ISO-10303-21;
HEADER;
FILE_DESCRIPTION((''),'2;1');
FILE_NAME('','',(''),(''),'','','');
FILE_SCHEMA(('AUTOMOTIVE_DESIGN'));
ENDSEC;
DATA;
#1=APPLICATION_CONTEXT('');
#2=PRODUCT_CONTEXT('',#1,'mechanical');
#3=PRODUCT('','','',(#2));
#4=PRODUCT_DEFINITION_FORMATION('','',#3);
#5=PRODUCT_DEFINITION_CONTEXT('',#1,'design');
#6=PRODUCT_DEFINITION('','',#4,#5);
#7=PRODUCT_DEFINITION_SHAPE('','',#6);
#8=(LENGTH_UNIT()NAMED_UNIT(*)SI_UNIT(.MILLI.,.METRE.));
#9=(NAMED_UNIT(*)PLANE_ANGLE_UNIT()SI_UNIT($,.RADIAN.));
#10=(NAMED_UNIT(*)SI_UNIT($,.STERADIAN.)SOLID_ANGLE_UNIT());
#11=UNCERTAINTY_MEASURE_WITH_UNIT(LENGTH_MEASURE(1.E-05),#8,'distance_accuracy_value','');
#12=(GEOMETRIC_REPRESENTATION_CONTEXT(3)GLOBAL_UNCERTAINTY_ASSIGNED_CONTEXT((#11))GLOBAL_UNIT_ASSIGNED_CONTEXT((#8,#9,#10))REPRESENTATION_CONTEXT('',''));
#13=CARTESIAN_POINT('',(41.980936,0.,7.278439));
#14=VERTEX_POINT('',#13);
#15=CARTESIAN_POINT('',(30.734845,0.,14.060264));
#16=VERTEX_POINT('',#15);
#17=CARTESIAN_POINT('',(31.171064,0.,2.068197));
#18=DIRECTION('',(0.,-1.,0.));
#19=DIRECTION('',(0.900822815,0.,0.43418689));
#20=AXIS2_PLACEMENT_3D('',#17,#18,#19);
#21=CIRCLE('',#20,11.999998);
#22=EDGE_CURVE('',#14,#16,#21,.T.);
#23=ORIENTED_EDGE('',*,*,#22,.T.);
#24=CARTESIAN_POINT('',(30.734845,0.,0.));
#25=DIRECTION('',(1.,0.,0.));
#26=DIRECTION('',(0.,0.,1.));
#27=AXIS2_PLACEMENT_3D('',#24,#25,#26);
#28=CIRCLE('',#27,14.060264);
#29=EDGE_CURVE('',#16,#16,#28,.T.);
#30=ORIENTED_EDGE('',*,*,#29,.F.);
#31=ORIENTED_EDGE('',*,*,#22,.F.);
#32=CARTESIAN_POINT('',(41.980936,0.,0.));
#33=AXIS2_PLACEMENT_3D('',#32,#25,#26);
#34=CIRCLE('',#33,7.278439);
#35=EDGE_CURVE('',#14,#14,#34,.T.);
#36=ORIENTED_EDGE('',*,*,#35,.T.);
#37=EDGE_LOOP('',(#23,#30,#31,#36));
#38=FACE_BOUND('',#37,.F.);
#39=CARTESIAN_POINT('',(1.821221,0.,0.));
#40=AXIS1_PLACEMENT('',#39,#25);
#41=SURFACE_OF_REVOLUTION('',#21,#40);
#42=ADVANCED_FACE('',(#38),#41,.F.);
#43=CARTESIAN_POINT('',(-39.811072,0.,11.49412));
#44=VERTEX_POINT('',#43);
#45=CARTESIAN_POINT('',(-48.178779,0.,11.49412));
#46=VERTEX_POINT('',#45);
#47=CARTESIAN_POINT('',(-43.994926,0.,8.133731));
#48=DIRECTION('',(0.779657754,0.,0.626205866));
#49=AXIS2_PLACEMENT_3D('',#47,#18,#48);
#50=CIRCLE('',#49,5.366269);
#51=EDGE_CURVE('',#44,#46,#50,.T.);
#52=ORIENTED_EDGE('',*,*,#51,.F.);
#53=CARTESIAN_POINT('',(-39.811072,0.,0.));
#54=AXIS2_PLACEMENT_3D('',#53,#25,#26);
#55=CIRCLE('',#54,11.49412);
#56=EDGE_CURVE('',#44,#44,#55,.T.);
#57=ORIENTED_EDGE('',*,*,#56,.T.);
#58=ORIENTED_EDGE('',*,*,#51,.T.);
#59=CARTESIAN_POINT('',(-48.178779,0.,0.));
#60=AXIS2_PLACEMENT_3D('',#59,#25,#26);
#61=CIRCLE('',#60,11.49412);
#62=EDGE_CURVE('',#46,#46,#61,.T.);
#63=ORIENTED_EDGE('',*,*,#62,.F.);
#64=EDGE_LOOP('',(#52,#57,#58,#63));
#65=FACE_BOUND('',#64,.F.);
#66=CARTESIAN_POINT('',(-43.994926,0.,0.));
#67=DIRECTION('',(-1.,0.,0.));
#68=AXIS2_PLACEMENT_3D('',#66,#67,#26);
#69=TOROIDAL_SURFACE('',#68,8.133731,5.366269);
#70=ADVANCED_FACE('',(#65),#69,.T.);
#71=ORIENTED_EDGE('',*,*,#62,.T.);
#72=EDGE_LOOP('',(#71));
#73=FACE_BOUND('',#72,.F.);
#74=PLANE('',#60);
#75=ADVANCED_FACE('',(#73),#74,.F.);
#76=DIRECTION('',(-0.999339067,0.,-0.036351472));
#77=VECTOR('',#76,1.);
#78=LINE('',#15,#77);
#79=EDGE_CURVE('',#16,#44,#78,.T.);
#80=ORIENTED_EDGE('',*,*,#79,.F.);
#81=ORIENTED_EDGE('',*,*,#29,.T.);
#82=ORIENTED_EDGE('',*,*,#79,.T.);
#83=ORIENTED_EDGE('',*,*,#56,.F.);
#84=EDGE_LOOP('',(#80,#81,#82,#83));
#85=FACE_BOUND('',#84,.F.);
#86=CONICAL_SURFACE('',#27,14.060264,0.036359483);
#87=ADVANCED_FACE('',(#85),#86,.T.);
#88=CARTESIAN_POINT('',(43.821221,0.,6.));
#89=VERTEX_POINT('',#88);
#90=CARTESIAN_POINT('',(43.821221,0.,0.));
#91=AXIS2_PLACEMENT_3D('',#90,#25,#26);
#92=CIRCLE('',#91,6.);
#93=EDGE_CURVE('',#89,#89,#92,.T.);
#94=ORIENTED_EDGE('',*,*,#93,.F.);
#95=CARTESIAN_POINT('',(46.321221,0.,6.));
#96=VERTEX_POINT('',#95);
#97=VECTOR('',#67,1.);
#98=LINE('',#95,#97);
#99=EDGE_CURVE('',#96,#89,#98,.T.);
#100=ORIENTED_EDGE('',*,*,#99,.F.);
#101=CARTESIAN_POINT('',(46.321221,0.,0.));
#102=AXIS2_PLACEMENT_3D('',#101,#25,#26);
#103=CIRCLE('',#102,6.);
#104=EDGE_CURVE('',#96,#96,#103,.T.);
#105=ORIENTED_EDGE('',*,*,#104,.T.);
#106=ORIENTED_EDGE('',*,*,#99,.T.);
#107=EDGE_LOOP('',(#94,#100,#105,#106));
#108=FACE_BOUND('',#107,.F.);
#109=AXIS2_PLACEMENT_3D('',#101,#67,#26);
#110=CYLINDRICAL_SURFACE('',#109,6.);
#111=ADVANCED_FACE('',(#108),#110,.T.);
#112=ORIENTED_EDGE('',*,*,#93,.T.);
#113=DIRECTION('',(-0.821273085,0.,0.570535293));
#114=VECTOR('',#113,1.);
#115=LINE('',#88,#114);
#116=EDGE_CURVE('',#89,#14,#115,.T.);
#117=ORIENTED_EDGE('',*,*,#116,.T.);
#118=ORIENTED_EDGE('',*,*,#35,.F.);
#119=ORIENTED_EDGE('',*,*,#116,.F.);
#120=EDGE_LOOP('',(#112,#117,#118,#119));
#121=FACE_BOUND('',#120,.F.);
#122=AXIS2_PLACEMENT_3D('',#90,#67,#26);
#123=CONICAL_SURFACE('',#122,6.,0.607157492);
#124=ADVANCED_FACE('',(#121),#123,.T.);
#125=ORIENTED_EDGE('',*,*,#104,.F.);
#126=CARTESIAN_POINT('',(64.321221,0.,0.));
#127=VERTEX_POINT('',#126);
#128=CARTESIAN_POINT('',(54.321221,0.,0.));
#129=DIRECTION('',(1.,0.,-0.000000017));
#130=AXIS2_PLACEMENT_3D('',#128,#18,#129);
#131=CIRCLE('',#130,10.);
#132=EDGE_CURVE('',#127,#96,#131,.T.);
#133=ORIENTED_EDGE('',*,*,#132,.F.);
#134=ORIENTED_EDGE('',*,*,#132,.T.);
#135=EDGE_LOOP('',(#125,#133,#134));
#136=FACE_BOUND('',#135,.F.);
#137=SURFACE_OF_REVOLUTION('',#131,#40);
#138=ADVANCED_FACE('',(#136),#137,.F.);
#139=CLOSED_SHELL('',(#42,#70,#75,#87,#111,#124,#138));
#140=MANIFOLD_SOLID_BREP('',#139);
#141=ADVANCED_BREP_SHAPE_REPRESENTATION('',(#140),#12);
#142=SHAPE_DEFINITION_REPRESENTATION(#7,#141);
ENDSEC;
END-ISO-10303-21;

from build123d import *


with BuildPart() as f1:
    # F0 (on Front) → F1 (revolve)
    with BuildSketch(Plane.XZ):
        with BuildLine():
            Line((-48.178779, 0), (-40.178779, 0))
            Line((-40.178779, 0), (43.821221, 0))
            Line((43.821221, 0), (46.321221, 0))
            Line((46.321221, 0), (64.321221, 0))
            ThreePointArc((64.321221, 0), (57.483499, 9.486833), (46.321221, 6))
            Line((46.321221, 6), (43.821221, 6))
            Line((43.821221, 6), (41.980936, 7.278439))
            ThreePointArc((41.980936, 7.278439), (37.367955, 12.34431), (30.734845, 14.060264))
            Line((30.734845, 14.060264), (-39.811072, 11.49412))
            ThreePointArc((-39.811072, 11.49412), (-43.994925, 13.5), (-48.178779, 11.49412))
            Line((-48.178779, 11.49412), (-48.178779, 0))
        make_face()
    revolve(axis=Axis((1.821221, 0, 0), (1, 0, 0)))


solid = f1.part
